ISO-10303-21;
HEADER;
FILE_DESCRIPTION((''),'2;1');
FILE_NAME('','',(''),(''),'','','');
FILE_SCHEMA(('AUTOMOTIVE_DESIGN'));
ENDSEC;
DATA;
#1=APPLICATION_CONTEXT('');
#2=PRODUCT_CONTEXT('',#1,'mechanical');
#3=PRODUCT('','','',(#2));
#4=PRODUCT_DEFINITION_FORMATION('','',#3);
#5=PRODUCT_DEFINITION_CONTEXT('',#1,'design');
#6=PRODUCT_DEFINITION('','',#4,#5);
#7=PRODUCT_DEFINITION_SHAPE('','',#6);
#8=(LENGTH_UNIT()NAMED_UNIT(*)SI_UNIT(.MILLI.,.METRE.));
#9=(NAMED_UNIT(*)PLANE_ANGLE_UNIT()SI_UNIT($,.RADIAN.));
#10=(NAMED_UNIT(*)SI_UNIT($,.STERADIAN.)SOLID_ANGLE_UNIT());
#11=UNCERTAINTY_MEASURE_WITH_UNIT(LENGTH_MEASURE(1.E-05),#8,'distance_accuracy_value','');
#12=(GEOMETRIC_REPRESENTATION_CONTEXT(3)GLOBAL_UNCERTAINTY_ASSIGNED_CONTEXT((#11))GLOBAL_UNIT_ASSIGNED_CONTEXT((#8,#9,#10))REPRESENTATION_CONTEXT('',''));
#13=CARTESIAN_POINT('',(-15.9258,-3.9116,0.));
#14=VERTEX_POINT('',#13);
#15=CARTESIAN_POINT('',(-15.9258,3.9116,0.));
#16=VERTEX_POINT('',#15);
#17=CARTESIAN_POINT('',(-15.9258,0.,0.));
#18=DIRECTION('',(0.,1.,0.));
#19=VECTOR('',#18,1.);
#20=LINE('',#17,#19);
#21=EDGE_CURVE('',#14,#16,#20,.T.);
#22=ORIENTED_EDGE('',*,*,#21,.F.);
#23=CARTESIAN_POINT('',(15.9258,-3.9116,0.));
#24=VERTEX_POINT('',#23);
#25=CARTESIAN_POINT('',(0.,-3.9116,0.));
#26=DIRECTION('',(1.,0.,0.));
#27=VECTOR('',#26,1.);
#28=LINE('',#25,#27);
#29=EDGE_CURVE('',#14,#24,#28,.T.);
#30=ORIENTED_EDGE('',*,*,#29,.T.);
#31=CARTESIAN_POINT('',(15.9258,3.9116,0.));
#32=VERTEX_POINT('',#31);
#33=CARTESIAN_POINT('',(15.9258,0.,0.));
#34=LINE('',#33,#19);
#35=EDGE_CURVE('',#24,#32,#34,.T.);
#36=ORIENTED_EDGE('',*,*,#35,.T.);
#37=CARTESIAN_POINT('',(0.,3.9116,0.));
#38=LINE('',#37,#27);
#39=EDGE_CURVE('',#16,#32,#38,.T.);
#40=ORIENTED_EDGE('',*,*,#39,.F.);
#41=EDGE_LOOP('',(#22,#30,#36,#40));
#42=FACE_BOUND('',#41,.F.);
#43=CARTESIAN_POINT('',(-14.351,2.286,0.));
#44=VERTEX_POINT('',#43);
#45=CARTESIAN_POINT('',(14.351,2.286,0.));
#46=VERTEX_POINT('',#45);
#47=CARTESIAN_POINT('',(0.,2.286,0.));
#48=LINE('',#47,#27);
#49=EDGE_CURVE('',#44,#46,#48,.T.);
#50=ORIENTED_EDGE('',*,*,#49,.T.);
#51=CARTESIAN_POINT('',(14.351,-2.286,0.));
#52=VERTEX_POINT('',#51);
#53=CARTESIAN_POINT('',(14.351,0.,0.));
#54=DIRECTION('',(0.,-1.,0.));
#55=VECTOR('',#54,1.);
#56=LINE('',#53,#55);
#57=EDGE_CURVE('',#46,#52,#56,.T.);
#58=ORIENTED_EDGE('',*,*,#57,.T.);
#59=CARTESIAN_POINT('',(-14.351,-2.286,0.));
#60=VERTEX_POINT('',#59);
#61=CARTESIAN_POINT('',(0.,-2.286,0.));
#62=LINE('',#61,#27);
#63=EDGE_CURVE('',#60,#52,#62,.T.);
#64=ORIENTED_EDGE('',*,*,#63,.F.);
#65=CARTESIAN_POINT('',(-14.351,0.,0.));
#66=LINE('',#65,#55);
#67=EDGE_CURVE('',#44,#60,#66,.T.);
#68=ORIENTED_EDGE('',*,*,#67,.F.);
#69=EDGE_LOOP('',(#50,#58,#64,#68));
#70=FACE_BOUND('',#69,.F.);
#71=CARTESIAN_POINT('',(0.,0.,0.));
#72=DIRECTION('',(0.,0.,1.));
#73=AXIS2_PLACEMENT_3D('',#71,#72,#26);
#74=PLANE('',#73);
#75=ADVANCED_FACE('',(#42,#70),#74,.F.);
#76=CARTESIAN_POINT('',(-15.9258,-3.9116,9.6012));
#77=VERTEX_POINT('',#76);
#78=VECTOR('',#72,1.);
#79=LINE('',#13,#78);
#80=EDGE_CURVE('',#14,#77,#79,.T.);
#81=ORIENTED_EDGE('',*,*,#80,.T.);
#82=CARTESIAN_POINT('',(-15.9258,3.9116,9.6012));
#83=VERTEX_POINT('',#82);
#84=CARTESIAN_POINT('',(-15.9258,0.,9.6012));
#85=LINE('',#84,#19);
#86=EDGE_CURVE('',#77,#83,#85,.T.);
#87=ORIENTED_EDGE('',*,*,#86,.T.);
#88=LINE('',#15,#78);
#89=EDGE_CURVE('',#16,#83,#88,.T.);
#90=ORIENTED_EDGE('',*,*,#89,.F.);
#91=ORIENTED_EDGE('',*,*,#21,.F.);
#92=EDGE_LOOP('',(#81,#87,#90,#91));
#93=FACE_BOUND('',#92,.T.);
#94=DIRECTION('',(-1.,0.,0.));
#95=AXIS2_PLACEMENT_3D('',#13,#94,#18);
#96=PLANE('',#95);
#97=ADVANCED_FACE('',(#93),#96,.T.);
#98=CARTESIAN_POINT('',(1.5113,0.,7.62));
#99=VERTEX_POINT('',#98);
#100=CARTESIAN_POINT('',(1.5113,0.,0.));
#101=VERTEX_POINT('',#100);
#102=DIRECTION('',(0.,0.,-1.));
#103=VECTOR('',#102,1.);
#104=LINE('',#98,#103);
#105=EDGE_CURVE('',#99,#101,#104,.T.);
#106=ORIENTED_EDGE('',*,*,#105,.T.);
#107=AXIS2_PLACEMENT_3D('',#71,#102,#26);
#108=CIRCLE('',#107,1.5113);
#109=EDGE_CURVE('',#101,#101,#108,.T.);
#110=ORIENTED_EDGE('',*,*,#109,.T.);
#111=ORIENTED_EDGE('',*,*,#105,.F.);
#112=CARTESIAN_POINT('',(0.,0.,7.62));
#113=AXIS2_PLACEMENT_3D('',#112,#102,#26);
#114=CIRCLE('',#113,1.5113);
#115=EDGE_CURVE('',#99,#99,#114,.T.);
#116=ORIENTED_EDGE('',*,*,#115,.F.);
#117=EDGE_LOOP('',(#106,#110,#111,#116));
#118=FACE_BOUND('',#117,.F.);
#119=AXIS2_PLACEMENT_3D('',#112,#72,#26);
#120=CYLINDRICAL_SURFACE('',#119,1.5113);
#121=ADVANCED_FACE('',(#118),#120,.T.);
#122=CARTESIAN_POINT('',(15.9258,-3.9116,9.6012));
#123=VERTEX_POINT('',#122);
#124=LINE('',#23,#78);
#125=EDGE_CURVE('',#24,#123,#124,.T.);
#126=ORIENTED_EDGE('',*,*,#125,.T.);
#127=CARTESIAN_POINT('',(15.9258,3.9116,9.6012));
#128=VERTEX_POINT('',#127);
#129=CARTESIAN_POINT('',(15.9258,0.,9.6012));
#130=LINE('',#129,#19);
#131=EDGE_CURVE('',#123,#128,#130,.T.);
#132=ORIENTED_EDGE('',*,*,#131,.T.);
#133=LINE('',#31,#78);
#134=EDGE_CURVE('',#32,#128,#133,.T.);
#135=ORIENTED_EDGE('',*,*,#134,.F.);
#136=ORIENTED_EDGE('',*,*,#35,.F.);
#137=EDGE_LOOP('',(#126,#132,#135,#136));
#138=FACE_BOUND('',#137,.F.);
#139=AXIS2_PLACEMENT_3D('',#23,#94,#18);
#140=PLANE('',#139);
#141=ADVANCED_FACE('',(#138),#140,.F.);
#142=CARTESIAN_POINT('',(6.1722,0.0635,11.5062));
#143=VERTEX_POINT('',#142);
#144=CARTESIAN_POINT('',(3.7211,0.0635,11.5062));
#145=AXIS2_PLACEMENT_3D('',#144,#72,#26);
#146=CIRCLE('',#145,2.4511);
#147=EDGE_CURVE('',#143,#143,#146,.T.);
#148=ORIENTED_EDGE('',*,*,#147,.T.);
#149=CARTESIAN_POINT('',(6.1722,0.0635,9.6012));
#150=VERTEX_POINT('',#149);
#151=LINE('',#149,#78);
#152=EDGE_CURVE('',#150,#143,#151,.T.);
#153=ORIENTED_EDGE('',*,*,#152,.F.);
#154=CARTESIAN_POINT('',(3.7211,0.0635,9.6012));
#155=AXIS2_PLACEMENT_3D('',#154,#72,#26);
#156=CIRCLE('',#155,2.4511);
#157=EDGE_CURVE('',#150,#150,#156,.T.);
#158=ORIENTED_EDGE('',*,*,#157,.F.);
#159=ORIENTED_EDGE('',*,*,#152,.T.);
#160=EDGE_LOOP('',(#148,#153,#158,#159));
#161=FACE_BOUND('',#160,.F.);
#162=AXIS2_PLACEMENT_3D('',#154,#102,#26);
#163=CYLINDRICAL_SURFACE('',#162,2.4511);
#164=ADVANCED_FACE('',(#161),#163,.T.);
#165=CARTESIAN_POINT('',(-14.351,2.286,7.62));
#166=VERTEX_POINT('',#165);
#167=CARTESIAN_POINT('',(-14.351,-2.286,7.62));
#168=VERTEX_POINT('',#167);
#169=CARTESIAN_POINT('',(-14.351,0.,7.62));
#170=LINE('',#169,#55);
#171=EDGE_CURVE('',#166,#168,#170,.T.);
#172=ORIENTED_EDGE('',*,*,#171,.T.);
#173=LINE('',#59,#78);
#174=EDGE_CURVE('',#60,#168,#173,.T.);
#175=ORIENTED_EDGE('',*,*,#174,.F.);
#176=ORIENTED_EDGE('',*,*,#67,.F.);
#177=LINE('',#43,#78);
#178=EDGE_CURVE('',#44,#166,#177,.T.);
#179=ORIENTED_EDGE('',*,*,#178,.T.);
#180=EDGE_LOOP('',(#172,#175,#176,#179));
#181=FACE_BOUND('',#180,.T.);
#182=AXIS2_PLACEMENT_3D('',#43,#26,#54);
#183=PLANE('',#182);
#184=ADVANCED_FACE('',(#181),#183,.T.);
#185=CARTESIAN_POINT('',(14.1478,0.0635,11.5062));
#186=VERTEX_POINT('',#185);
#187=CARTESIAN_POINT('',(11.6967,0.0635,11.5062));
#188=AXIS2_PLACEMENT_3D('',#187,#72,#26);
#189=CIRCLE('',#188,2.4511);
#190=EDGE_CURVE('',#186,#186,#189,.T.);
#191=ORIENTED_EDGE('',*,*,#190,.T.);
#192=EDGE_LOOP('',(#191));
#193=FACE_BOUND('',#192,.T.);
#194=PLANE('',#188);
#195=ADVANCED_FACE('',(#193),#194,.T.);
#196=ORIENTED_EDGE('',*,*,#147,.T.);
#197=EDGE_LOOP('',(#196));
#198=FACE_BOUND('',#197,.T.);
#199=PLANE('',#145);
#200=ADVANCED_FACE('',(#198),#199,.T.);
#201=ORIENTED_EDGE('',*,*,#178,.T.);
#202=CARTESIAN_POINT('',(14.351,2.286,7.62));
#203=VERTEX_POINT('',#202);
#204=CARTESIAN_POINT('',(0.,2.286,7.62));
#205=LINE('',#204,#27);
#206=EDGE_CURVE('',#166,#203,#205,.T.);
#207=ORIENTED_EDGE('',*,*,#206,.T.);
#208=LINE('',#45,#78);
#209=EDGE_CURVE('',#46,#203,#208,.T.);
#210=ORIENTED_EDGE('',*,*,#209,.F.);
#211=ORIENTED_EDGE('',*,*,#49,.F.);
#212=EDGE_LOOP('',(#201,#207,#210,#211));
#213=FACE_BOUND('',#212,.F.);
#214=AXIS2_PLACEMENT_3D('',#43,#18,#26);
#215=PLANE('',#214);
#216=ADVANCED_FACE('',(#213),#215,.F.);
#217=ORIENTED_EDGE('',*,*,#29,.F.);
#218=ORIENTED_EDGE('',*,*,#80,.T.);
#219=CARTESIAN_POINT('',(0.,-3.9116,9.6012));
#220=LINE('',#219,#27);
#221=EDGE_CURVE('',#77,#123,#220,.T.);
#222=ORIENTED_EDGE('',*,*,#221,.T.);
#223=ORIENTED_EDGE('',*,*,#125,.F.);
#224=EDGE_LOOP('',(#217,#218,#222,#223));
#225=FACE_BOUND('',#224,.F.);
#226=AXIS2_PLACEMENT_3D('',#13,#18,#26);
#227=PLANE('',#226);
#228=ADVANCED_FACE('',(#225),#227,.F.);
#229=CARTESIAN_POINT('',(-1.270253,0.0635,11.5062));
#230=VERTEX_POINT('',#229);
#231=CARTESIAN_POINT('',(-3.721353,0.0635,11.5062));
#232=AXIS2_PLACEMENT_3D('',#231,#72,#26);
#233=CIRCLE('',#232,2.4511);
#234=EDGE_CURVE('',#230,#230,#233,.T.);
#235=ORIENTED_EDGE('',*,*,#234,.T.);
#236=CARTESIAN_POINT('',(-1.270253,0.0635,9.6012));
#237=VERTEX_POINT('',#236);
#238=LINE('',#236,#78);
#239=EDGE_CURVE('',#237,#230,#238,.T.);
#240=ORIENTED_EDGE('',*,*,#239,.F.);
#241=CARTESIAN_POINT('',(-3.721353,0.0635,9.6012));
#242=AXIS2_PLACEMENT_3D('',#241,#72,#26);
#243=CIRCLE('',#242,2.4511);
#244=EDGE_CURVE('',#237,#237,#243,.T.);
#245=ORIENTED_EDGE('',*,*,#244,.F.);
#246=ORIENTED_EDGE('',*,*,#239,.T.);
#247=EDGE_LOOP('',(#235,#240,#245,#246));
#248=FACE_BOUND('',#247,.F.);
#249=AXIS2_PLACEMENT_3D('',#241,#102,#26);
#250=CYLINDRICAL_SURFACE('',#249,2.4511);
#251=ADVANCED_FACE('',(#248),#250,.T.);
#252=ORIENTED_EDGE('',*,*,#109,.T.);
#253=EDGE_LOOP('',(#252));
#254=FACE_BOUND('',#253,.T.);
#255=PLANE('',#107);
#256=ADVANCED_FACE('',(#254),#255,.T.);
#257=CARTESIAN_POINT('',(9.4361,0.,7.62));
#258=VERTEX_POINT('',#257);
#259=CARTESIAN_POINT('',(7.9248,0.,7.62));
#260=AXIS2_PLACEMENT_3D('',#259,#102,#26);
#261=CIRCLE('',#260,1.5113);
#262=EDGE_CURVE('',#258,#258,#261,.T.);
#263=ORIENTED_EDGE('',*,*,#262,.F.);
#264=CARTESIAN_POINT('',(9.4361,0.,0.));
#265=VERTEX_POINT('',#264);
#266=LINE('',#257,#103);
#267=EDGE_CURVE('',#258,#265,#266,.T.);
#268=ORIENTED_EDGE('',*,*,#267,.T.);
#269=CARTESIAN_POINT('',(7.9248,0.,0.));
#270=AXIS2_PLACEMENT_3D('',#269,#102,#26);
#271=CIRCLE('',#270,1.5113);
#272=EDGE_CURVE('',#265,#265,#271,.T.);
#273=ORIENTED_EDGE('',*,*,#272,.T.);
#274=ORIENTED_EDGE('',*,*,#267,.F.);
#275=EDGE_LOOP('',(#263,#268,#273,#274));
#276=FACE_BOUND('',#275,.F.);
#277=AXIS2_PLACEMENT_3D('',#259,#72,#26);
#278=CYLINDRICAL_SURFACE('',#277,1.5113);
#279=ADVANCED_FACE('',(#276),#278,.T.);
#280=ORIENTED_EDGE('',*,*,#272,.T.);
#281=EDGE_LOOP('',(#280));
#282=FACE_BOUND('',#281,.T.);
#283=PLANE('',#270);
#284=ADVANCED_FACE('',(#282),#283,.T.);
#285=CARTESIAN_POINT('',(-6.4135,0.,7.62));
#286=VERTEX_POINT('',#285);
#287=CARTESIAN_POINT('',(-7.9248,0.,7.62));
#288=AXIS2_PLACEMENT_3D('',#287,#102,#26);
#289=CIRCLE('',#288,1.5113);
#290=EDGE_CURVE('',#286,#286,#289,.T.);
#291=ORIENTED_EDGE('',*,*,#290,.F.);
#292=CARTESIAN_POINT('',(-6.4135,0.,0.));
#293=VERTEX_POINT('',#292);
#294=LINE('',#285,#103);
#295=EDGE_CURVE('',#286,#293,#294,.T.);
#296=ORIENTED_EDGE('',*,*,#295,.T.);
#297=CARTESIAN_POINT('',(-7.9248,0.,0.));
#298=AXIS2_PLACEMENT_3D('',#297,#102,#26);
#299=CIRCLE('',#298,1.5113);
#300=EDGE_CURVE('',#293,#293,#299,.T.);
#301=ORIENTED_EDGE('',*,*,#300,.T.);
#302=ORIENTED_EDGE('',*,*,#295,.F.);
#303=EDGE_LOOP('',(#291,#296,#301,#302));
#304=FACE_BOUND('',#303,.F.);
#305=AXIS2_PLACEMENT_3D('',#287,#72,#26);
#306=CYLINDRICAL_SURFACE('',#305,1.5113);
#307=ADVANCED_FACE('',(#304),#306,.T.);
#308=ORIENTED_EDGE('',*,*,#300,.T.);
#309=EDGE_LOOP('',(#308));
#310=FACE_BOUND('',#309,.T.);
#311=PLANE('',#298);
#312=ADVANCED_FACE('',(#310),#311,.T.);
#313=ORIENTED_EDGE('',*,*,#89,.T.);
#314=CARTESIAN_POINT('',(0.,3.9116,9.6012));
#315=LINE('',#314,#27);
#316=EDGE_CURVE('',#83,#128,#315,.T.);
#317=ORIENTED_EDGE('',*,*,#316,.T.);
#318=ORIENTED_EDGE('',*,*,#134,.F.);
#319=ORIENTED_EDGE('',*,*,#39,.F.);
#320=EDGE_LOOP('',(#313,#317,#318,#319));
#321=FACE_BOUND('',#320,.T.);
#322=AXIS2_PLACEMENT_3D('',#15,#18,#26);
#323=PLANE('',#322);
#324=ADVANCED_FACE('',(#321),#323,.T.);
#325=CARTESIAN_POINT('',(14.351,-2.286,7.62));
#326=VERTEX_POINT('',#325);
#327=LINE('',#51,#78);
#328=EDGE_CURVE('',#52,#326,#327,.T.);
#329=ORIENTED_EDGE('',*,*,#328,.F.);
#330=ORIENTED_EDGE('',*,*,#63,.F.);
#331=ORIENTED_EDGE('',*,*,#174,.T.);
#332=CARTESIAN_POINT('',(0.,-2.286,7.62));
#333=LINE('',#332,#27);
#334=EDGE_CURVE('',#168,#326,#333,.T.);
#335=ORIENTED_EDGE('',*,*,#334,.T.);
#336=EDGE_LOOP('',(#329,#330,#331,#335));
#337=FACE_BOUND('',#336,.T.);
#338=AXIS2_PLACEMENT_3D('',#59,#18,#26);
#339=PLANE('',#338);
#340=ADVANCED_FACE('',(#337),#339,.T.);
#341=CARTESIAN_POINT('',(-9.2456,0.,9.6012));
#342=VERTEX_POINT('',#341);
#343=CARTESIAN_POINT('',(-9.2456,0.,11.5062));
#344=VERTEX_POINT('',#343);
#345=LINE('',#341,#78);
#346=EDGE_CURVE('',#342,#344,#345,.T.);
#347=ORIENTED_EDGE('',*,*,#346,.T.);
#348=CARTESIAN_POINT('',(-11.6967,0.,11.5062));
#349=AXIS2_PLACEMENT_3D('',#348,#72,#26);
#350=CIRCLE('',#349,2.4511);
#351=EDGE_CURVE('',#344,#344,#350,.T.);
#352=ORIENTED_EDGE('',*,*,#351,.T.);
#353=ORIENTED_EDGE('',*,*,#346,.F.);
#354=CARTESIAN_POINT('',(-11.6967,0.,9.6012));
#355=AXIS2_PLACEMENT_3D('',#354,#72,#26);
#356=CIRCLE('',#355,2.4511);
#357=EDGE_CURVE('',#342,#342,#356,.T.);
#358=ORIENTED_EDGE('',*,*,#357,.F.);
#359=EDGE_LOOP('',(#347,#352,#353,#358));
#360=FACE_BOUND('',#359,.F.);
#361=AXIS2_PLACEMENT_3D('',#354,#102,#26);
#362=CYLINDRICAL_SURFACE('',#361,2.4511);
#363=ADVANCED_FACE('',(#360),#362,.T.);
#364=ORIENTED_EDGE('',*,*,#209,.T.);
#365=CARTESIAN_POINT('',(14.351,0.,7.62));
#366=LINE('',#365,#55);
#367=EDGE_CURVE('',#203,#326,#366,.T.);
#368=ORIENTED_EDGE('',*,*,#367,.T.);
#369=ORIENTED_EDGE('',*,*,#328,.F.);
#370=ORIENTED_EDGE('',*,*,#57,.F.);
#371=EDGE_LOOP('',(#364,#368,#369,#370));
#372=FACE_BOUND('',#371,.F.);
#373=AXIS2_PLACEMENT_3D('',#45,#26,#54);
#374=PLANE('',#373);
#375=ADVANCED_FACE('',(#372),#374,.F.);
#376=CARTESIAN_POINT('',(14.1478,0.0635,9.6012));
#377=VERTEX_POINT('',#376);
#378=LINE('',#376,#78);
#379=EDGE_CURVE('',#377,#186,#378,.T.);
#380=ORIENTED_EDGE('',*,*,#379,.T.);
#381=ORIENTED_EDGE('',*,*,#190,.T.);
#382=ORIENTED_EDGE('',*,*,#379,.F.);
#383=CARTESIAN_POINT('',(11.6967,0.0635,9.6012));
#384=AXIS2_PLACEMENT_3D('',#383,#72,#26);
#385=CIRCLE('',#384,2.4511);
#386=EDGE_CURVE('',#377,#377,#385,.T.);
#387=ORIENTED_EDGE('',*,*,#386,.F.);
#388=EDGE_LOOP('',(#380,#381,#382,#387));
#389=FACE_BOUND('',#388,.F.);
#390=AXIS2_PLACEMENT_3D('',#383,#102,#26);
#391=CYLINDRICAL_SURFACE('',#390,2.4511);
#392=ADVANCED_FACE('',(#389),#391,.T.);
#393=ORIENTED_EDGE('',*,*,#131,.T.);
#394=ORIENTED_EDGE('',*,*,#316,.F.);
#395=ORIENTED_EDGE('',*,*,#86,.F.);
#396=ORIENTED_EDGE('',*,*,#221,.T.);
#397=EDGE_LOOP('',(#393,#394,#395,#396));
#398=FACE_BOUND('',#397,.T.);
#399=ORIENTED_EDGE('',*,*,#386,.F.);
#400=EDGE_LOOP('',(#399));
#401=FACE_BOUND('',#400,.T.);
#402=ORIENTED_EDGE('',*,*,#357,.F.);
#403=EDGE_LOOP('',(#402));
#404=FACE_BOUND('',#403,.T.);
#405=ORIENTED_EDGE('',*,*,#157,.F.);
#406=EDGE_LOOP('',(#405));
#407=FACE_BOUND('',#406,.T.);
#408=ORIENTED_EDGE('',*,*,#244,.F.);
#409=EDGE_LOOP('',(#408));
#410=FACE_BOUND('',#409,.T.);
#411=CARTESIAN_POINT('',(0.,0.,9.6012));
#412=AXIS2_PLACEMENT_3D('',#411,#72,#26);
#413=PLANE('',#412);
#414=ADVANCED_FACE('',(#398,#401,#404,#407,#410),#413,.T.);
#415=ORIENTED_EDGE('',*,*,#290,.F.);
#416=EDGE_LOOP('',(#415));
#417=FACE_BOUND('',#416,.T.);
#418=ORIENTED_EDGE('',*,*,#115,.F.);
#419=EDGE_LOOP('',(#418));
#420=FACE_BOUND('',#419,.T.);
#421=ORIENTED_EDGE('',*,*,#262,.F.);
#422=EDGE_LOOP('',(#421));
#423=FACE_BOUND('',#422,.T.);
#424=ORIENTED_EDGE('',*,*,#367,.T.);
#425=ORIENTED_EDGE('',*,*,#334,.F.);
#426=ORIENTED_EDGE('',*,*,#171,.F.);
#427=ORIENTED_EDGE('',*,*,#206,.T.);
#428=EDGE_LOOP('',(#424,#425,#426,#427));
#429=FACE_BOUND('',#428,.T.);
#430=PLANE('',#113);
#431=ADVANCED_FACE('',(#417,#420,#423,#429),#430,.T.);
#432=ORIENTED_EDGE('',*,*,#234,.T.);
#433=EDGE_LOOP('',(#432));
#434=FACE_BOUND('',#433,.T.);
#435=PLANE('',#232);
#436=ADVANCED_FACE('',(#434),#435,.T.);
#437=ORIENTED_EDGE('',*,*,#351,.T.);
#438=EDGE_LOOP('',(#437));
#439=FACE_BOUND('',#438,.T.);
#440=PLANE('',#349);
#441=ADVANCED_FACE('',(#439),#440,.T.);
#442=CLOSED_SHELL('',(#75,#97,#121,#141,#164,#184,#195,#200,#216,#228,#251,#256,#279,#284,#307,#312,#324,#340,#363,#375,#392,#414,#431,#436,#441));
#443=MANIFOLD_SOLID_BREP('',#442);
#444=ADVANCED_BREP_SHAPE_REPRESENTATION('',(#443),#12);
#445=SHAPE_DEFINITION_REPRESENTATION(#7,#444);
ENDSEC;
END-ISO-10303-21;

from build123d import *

# Parameters (mm, degrees)
F0_W      = 31.8516
F0_H      = 7.8232
F1_DEPTH  = 9.6012
F2_R      = 2.4511
F3_DEPTH  = 1.905
F4_R      = 2.4511
F5_DEPTH  = 1.905
F6_R      = 2.4511
F7_DEPTH  = 1.905
F8_W      = 28.702
F8_H      = 4.572
F9_DEPTH  = 7.62
F10_R     = 1.5113
F11_DEPTH = 7.62


with BuildPart() as f1:
    # F0 (on Top) → F1 (new body)
    with BuildSketch(Plane.XY):
        Rectangle(F0_W, F0_H)
    extrude(amount=F1_DEPTH)

    # F2 (on face) → F3 (join)
    with BuildSketch(Plane.XY.offset(9.6012)):
        with Locations((-11.6967, 0)):
            Circle(F2_R)
    extrude(amount=F3_DEPTH)

    # F4 (on face) → F5 (join)
    with BuildSketch(Plane.XY.offset(9.6012)):
        with Locations((11.6967, 0.0635)):
            Circle(F4_R)
    extrude(amount=F5_DEPTH)

    # F6 (on face) → F7 (join)
    with BuildSketch(Plane.XY.offset(9.6012)):
        with Locations((-3.721353, 0.0635)):
            Circle(F6_R)
        with Locations((3.7211, 0.0635)):
            Circle(F6_R)
    extrude(amount=F7_DEPTH)

    # F8 (on face) → F9 (cut)
    with BuildSketch(Plane(origin=(0, 0, 0), x_dir=(1, 0, 0), z_dir=(0, 0, -1))):
        Rectangle(F8_W, F8_H)
    extrude(amount=-F9_DEPTH, mode=Mode.SUBTRACT)

    # F10 (on face) → F11 (join)
    with BuildSketch(Plane(origin=(0, 0, 7.62), x_dir=(1, 0, 0), z_dir=(0, 0, -1))):
        Circle(F10_R)
        with Locations((-7.9248, 0)):
            Circle(F10_R)
        with Locations((7.9248, 0)):
            Circle(F10_R)
    extrude(amount=F11_DEPTH)


solid = f1.part
